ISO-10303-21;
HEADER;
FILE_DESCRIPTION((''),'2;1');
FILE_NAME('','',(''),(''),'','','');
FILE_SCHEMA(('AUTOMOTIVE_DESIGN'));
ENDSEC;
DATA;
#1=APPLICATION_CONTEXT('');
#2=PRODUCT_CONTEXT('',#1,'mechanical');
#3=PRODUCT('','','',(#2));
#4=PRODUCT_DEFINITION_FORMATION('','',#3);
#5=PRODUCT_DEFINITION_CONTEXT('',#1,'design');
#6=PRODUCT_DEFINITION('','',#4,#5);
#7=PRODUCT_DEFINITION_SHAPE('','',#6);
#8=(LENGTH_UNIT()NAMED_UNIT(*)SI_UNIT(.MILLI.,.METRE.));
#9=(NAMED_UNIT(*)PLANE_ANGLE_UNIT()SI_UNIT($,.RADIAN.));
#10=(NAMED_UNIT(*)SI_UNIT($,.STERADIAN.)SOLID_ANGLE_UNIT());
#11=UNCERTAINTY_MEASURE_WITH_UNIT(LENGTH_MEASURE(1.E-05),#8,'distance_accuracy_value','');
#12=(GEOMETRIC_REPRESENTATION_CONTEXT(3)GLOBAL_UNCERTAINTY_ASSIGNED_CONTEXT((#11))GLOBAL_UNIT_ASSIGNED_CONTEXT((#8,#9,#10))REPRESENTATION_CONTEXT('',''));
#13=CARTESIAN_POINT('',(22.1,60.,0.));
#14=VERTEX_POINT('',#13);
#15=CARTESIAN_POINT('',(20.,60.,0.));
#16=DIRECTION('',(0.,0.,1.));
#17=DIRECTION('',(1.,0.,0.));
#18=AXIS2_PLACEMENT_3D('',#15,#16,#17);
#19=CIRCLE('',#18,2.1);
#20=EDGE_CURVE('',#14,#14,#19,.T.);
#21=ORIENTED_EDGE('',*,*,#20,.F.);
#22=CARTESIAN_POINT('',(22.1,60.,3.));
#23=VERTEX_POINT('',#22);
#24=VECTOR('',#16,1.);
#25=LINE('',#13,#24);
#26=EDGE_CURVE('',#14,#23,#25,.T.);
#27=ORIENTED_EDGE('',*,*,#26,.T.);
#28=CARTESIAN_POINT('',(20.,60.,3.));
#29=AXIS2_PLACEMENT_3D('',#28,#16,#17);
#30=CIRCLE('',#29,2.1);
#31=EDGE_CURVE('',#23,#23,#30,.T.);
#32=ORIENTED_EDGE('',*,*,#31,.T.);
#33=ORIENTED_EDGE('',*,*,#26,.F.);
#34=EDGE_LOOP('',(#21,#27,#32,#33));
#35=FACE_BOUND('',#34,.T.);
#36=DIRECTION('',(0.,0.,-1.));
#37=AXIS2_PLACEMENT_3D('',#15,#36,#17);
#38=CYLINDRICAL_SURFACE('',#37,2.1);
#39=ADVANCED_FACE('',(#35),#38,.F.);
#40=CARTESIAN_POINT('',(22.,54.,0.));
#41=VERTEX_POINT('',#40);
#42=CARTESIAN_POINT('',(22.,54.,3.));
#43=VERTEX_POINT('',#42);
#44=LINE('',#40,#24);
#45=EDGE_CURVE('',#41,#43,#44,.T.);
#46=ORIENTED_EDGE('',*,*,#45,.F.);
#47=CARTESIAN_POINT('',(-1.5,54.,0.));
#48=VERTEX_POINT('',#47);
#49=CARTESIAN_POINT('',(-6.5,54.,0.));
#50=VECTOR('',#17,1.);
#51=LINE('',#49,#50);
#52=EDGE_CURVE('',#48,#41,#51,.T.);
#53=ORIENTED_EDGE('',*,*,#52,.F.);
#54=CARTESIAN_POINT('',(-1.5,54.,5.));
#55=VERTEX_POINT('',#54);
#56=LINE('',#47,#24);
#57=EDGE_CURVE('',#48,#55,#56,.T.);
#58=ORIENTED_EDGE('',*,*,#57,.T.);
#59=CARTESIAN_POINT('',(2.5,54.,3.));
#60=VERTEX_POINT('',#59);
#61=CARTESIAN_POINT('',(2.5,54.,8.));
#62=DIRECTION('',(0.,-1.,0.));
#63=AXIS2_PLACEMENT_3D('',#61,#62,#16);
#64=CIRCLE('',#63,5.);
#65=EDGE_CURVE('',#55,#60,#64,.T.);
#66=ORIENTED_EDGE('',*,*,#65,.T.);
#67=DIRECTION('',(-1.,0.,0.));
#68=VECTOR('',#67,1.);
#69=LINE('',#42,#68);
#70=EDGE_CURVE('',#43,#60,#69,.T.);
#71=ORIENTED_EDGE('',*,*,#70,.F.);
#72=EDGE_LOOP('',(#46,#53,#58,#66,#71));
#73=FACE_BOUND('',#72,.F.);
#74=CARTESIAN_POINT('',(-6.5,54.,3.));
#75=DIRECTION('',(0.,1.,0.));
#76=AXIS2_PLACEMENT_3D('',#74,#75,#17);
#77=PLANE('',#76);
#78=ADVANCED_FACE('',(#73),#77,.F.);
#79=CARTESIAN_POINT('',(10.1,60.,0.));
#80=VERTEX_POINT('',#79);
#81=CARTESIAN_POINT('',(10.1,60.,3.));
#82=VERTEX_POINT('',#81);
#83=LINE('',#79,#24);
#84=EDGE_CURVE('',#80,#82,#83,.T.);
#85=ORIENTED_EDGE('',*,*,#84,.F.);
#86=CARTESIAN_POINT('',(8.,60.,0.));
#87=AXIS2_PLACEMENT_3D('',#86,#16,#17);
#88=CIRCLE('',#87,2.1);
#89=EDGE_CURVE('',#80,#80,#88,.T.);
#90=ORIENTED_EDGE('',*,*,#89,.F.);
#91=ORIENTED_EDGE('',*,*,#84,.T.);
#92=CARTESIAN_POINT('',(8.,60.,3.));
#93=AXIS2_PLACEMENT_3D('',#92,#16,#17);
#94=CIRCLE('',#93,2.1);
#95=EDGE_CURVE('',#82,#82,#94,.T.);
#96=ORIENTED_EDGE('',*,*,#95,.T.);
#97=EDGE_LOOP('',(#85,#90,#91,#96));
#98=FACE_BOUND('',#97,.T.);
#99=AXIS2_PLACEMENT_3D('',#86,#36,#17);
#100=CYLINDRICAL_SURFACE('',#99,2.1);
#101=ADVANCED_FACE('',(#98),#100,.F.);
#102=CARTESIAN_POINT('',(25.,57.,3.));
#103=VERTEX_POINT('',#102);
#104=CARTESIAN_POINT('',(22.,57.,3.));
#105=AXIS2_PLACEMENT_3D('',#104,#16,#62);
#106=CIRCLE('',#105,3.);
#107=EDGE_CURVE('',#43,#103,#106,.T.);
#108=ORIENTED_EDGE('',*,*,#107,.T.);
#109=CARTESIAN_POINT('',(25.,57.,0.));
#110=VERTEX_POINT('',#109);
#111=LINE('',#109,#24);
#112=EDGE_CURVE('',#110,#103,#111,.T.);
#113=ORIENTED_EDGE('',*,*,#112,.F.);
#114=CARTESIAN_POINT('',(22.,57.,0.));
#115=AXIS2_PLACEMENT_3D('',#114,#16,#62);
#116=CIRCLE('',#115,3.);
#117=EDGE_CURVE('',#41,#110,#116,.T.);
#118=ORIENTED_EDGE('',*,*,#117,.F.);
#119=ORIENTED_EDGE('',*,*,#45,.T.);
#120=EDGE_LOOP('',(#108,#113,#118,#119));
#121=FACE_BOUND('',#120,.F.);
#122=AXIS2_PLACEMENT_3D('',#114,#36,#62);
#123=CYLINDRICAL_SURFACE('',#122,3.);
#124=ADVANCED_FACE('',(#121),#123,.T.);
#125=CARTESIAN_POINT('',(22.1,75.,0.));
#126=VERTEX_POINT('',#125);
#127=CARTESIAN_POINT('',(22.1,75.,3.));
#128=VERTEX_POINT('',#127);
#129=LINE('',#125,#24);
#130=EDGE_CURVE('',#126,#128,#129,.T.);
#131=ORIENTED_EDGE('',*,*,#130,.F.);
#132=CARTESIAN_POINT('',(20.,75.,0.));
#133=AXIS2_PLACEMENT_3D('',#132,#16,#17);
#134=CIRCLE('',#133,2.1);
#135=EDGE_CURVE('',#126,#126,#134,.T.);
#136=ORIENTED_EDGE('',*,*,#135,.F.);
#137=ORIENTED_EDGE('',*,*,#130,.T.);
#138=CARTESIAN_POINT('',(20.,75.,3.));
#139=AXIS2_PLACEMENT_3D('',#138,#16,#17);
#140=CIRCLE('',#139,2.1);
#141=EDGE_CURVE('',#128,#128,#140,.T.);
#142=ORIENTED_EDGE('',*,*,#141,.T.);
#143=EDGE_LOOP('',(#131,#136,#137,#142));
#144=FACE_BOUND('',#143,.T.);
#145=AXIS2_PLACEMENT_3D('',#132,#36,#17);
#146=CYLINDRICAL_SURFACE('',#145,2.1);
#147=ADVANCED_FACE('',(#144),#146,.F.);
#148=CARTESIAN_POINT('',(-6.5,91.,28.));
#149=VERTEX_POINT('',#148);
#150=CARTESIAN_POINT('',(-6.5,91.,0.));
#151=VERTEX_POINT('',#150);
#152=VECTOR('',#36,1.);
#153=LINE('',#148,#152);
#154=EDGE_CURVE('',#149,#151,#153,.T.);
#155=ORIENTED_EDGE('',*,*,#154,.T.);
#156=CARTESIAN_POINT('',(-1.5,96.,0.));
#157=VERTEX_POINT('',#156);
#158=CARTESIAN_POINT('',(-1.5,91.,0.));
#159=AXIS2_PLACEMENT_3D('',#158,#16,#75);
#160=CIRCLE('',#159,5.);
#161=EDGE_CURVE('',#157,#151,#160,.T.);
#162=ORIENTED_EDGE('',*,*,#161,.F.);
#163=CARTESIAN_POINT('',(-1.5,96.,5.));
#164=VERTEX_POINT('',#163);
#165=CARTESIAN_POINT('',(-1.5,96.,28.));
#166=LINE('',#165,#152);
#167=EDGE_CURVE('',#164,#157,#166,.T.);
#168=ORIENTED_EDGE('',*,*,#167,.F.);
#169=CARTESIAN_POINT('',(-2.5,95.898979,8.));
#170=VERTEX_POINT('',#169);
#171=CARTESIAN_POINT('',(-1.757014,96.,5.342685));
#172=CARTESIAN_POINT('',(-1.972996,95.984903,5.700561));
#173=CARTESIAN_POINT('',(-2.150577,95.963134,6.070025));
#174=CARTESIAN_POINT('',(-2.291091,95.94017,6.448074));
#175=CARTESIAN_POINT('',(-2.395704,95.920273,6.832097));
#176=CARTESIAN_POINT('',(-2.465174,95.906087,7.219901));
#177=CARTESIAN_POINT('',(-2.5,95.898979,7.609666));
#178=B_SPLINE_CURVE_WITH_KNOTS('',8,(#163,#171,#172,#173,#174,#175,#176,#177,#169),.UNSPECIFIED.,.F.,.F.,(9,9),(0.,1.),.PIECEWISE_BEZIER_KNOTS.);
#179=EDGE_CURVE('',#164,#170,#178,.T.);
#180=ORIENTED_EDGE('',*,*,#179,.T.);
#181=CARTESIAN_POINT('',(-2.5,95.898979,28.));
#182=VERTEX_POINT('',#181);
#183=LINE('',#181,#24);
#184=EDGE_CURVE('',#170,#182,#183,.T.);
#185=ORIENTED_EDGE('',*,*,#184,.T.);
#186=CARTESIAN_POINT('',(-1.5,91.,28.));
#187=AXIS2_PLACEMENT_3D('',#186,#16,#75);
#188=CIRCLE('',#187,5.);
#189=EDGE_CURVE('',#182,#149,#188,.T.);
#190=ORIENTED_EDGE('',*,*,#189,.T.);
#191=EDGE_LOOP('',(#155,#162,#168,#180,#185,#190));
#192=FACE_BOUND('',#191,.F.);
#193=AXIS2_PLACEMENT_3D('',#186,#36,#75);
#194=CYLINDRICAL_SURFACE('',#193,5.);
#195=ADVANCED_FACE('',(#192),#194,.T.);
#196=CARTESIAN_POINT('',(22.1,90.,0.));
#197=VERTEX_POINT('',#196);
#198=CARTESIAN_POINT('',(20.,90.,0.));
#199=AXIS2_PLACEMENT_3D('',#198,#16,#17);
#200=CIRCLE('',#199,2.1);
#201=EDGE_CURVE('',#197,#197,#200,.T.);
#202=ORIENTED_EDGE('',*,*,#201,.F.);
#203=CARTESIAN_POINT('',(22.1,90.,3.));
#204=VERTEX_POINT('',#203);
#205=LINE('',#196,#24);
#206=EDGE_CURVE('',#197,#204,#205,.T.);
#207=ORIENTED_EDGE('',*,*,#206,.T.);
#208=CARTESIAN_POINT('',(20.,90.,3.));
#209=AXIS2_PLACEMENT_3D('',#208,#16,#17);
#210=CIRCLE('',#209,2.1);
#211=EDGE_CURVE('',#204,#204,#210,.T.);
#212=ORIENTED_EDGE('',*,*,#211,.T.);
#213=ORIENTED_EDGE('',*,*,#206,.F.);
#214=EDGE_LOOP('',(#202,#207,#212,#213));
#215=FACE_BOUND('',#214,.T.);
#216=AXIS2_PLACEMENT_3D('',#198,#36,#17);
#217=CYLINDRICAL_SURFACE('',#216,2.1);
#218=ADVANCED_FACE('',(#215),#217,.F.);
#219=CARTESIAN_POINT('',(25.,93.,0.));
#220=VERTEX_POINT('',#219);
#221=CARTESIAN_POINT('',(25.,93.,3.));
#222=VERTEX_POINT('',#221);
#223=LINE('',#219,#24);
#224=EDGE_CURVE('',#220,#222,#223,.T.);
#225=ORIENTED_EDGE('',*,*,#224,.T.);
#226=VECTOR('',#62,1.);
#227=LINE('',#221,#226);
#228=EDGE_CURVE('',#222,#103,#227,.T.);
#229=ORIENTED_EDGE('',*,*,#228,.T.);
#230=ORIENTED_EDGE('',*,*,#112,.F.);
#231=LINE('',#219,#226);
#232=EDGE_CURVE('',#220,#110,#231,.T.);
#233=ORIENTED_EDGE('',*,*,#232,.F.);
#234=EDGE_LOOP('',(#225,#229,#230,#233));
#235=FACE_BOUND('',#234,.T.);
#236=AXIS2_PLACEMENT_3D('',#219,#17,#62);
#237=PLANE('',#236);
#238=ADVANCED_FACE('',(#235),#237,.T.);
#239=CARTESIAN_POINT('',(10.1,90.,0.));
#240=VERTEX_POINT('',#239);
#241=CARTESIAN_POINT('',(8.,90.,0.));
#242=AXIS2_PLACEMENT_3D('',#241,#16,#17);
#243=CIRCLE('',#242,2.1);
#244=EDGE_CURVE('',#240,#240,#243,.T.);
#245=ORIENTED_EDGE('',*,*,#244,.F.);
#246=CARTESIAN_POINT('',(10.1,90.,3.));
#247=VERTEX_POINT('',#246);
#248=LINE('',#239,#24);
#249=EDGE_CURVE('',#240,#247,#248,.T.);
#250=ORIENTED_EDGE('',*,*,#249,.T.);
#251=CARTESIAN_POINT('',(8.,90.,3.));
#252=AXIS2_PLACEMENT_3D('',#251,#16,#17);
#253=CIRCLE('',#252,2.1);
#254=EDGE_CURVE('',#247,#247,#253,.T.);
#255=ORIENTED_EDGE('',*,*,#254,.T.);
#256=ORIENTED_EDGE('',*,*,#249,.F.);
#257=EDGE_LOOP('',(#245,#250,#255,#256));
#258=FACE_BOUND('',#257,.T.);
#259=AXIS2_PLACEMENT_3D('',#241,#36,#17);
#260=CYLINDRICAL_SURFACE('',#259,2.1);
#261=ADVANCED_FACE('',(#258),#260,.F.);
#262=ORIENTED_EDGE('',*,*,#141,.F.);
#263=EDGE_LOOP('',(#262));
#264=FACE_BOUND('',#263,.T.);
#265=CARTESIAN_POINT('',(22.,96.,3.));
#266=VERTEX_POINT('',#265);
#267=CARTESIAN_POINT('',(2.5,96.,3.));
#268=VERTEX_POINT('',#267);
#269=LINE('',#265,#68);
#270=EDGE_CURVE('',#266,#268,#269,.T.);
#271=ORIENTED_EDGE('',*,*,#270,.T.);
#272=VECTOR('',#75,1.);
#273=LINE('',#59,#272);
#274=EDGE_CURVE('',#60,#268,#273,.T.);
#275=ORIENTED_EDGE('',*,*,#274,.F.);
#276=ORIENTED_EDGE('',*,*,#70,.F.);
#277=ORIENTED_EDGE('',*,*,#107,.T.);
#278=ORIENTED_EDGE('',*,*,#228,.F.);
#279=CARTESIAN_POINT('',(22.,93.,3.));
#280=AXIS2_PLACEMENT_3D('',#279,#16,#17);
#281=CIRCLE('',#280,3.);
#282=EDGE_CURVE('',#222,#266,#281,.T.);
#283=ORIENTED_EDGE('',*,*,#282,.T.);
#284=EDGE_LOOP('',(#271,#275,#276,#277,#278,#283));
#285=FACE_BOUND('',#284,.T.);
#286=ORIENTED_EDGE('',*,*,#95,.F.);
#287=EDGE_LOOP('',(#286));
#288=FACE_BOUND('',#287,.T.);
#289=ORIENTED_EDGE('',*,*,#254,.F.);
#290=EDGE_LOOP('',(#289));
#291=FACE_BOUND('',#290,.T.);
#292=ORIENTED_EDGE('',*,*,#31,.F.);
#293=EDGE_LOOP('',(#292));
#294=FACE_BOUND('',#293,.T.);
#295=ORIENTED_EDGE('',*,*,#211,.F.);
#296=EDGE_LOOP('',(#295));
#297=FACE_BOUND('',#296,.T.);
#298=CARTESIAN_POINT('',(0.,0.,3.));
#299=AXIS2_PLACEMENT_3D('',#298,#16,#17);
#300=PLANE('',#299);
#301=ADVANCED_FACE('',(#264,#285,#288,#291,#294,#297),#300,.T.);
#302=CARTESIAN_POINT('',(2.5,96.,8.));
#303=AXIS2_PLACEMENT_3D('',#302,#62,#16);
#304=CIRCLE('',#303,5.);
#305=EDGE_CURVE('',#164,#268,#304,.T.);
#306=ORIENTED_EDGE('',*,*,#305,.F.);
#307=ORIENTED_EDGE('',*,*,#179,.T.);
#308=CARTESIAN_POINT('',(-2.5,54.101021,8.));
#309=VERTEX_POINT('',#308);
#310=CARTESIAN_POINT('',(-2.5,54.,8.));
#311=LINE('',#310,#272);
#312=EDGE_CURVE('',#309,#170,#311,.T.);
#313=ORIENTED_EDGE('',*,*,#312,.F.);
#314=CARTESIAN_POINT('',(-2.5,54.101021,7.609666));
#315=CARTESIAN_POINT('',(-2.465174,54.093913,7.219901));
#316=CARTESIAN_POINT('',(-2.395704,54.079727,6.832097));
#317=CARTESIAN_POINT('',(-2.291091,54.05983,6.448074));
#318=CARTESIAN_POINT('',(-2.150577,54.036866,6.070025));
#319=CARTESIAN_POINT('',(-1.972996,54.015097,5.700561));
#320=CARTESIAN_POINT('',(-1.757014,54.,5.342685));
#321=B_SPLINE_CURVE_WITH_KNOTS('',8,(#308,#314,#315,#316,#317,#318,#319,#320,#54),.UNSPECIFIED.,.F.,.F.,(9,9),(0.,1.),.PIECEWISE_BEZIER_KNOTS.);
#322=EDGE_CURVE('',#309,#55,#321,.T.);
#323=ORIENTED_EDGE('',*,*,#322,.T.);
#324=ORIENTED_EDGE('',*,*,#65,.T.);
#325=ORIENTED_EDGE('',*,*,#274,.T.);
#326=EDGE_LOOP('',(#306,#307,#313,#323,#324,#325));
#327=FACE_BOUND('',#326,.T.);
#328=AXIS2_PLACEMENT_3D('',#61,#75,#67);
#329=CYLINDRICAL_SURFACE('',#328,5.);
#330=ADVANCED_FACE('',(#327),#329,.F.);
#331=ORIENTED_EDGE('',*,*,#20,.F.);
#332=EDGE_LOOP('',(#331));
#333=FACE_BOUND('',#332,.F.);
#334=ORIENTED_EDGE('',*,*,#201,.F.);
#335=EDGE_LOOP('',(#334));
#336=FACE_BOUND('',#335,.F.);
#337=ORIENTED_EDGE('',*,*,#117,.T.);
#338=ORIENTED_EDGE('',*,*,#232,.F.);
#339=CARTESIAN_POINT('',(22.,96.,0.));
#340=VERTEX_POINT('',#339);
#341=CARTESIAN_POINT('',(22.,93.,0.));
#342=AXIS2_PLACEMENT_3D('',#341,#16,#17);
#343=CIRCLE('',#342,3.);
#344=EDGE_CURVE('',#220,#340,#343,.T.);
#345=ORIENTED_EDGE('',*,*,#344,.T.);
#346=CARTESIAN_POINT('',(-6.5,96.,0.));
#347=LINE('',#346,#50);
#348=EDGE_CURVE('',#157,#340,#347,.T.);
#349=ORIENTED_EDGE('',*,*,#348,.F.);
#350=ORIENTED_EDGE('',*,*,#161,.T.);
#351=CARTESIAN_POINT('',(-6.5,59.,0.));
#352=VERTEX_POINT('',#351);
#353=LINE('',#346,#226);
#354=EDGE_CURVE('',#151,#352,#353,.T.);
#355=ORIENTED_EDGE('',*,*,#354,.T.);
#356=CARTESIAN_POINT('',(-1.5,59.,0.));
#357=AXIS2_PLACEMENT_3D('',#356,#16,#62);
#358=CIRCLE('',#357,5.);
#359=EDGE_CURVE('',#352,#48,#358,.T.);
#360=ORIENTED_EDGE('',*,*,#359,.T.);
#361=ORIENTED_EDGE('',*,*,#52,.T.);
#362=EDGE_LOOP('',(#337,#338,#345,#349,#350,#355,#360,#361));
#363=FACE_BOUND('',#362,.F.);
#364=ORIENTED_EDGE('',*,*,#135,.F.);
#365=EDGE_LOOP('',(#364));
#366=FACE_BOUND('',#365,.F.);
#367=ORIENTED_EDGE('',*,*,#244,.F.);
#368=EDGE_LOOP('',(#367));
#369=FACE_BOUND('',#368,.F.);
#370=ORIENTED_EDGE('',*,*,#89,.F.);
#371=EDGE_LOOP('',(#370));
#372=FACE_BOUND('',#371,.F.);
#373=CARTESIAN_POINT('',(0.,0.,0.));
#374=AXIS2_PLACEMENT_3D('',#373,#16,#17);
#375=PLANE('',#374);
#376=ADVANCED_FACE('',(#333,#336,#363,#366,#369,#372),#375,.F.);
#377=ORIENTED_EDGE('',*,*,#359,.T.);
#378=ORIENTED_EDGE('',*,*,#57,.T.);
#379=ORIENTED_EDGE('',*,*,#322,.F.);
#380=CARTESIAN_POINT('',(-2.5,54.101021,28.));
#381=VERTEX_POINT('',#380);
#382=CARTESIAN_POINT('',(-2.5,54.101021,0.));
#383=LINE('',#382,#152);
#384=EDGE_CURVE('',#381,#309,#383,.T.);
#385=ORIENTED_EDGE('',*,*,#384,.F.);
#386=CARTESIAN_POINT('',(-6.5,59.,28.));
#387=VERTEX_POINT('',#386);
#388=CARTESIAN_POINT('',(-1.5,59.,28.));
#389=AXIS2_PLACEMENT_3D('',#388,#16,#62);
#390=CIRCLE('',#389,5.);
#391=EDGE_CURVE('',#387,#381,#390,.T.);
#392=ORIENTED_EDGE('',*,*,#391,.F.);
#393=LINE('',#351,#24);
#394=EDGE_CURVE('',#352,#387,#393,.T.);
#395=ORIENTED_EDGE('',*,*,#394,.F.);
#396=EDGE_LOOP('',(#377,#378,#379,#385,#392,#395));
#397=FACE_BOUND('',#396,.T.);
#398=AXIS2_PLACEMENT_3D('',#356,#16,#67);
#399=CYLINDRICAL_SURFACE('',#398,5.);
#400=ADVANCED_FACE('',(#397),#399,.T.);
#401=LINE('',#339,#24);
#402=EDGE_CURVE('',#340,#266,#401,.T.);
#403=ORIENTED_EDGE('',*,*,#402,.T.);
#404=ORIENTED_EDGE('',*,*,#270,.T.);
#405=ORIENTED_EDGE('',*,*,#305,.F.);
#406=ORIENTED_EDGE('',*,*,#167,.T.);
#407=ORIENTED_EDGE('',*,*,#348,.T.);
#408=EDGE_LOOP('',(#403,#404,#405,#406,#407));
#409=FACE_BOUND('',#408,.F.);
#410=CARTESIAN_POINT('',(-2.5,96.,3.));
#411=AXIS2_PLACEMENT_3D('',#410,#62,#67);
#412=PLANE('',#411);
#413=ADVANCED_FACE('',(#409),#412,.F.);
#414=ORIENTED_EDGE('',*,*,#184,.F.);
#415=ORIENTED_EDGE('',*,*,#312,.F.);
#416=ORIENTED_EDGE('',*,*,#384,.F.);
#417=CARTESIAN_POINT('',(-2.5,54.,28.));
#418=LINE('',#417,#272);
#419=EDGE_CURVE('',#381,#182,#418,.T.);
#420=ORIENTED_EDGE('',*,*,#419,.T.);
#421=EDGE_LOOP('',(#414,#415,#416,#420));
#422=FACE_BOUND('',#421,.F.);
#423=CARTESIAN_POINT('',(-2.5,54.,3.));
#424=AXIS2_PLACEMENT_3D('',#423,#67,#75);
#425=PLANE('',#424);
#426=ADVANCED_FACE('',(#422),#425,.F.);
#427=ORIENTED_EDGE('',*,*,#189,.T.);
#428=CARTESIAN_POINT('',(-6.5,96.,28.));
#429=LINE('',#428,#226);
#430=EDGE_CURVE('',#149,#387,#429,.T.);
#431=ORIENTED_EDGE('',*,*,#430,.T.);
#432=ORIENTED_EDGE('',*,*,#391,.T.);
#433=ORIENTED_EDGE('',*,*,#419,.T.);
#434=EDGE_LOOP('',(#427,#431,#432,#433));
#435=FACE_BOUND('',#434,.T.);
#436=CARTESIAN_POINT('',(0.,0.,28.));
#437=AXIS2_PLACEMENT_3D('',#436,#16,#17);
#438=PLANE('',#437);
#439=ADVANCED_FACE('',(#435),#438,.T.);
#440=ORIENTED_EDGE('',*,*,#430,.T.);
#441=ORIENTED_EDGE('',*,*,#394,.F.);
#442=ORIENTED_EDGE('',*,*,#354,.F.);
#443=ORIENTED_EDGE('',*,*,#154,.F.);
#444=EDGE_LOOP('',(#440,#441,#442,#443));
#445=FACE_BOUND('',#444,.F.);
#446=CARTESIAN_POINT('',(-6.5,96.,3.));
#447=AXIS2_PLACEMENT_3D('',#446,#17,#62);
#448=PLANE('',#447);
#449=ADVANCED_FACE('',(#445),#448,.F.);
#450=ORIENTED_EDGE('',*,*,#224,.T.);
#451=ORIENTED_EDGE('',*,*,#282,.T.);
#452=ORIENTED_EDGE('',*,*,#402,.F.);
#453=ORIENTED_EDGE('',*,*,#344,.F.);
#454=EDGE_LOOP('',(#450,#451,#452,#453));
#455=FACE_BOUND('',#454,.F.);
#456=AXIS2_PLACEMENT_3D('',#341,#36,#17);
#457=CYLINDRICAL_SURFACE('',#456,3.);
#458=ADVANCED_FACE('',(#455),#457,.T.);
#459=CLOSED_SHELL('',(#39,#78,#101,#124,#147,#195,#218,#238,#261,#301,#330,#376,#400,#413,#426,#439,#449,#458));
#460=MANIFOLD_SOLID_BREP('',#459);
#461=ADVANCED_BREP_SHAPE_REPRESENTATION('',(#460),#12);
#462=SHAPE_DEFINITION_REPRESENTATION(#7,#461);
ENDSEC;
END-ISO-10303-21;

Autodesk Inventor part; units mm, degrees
ref_plane "YZ Plane" through (0, 0, 0) normal (1, 0, 0) x (0, 1, 0)
ref_plane "XZ Plane" through (0, 0, 0) normal (0, 1, 0) x (-1, 0, 0)
ref_plane "XY Plane" through (0, 0, 0) normal (0, 0, 1) x (1, 0, 0)
sketch "草图2" plane through (0, 0, 0) normal (0, 0, 1) x (1, 0, 0)
  circle A0 centre (8, 60) radius 2.1 projected
  circle A1 centre (20, 60) radius 2.1 projected
  circle A2 centre (20, 75) radius 2.1 projected
  circle A3 centre (20, 90) radius 1.75 projected
  circle A4 centre (8, 90) radius 2.1 projected
  line L0 (22, 54) -> (0, 54) projected
  arc A5 (22, 54) -> (25, 57) centre (22, 57) ccw projected
  line L1 (25, 93) -> (25, 57) projected
  line L2 (0, 96) -> (22, 96) projected
  arc A6 (25, 93) -> (22, 96) centre (22, 93) ccw projected
  line L3 (0, 96) -> (-6.5, 96)
  line L4 (-6.5, 96) -> (-6.5, 54)
  line L5 (-6.5, 54) -> (0, 54)
  line L6 (0, 54) -> (0, 96)
  circle A7 centre (20, 60) radius 2.1
  circle A8 centre (8, 60) radius 2.1
  circle A9 centre (20, 75) radius 2.1
  circle A10 centre (20, 90) radius 2.1
  circle A11 centre (8, 90) radius 2.1
  point P0 (0, 0)
  dimension "d0" = 6.5
  dimension "d11" = 4.2
  dimension "d12" = 4.2
  dimension "d13" = 4.2
  dimension "d14" = 4.2
  dimension "d15" = 4.2
extrude "拉伸1" add sketch "草图2" along normal blind 3 contours L0 L6 L2 A6 L1 A5 | L5 L4 L3 L6
sketch "草图3" plane through (0, 0, 3) normal (0, 0, 1) x (1, 0, 0)
  line L0 (-6.5, 54) -> (22, 54) projected
  line L1 (22, 96) -> (-6.5, 96) projected
  line L2 (-6.5, 54) -> (-2.5, 54)
  line L3 (-2.5, 54) -> (-2.5, 96)
  line L4 (-2.5, 96) -> (-6.5, 96)
  line L5 (-6.5, 96) -> (-6.5, 54)
  point P0 (0, 0)
  dimension "d3" = 4
extrude "拉伸2" add sketch "草图3" along normal blind 25
fillet "圆角1" radius 5 1 edges at (-2.5, 75, 3)
fillet "圆角2" radius 5 2 edges at (-6.5, 96, 14) (-6.5, 54, 14)
properties part number "拖带架"
